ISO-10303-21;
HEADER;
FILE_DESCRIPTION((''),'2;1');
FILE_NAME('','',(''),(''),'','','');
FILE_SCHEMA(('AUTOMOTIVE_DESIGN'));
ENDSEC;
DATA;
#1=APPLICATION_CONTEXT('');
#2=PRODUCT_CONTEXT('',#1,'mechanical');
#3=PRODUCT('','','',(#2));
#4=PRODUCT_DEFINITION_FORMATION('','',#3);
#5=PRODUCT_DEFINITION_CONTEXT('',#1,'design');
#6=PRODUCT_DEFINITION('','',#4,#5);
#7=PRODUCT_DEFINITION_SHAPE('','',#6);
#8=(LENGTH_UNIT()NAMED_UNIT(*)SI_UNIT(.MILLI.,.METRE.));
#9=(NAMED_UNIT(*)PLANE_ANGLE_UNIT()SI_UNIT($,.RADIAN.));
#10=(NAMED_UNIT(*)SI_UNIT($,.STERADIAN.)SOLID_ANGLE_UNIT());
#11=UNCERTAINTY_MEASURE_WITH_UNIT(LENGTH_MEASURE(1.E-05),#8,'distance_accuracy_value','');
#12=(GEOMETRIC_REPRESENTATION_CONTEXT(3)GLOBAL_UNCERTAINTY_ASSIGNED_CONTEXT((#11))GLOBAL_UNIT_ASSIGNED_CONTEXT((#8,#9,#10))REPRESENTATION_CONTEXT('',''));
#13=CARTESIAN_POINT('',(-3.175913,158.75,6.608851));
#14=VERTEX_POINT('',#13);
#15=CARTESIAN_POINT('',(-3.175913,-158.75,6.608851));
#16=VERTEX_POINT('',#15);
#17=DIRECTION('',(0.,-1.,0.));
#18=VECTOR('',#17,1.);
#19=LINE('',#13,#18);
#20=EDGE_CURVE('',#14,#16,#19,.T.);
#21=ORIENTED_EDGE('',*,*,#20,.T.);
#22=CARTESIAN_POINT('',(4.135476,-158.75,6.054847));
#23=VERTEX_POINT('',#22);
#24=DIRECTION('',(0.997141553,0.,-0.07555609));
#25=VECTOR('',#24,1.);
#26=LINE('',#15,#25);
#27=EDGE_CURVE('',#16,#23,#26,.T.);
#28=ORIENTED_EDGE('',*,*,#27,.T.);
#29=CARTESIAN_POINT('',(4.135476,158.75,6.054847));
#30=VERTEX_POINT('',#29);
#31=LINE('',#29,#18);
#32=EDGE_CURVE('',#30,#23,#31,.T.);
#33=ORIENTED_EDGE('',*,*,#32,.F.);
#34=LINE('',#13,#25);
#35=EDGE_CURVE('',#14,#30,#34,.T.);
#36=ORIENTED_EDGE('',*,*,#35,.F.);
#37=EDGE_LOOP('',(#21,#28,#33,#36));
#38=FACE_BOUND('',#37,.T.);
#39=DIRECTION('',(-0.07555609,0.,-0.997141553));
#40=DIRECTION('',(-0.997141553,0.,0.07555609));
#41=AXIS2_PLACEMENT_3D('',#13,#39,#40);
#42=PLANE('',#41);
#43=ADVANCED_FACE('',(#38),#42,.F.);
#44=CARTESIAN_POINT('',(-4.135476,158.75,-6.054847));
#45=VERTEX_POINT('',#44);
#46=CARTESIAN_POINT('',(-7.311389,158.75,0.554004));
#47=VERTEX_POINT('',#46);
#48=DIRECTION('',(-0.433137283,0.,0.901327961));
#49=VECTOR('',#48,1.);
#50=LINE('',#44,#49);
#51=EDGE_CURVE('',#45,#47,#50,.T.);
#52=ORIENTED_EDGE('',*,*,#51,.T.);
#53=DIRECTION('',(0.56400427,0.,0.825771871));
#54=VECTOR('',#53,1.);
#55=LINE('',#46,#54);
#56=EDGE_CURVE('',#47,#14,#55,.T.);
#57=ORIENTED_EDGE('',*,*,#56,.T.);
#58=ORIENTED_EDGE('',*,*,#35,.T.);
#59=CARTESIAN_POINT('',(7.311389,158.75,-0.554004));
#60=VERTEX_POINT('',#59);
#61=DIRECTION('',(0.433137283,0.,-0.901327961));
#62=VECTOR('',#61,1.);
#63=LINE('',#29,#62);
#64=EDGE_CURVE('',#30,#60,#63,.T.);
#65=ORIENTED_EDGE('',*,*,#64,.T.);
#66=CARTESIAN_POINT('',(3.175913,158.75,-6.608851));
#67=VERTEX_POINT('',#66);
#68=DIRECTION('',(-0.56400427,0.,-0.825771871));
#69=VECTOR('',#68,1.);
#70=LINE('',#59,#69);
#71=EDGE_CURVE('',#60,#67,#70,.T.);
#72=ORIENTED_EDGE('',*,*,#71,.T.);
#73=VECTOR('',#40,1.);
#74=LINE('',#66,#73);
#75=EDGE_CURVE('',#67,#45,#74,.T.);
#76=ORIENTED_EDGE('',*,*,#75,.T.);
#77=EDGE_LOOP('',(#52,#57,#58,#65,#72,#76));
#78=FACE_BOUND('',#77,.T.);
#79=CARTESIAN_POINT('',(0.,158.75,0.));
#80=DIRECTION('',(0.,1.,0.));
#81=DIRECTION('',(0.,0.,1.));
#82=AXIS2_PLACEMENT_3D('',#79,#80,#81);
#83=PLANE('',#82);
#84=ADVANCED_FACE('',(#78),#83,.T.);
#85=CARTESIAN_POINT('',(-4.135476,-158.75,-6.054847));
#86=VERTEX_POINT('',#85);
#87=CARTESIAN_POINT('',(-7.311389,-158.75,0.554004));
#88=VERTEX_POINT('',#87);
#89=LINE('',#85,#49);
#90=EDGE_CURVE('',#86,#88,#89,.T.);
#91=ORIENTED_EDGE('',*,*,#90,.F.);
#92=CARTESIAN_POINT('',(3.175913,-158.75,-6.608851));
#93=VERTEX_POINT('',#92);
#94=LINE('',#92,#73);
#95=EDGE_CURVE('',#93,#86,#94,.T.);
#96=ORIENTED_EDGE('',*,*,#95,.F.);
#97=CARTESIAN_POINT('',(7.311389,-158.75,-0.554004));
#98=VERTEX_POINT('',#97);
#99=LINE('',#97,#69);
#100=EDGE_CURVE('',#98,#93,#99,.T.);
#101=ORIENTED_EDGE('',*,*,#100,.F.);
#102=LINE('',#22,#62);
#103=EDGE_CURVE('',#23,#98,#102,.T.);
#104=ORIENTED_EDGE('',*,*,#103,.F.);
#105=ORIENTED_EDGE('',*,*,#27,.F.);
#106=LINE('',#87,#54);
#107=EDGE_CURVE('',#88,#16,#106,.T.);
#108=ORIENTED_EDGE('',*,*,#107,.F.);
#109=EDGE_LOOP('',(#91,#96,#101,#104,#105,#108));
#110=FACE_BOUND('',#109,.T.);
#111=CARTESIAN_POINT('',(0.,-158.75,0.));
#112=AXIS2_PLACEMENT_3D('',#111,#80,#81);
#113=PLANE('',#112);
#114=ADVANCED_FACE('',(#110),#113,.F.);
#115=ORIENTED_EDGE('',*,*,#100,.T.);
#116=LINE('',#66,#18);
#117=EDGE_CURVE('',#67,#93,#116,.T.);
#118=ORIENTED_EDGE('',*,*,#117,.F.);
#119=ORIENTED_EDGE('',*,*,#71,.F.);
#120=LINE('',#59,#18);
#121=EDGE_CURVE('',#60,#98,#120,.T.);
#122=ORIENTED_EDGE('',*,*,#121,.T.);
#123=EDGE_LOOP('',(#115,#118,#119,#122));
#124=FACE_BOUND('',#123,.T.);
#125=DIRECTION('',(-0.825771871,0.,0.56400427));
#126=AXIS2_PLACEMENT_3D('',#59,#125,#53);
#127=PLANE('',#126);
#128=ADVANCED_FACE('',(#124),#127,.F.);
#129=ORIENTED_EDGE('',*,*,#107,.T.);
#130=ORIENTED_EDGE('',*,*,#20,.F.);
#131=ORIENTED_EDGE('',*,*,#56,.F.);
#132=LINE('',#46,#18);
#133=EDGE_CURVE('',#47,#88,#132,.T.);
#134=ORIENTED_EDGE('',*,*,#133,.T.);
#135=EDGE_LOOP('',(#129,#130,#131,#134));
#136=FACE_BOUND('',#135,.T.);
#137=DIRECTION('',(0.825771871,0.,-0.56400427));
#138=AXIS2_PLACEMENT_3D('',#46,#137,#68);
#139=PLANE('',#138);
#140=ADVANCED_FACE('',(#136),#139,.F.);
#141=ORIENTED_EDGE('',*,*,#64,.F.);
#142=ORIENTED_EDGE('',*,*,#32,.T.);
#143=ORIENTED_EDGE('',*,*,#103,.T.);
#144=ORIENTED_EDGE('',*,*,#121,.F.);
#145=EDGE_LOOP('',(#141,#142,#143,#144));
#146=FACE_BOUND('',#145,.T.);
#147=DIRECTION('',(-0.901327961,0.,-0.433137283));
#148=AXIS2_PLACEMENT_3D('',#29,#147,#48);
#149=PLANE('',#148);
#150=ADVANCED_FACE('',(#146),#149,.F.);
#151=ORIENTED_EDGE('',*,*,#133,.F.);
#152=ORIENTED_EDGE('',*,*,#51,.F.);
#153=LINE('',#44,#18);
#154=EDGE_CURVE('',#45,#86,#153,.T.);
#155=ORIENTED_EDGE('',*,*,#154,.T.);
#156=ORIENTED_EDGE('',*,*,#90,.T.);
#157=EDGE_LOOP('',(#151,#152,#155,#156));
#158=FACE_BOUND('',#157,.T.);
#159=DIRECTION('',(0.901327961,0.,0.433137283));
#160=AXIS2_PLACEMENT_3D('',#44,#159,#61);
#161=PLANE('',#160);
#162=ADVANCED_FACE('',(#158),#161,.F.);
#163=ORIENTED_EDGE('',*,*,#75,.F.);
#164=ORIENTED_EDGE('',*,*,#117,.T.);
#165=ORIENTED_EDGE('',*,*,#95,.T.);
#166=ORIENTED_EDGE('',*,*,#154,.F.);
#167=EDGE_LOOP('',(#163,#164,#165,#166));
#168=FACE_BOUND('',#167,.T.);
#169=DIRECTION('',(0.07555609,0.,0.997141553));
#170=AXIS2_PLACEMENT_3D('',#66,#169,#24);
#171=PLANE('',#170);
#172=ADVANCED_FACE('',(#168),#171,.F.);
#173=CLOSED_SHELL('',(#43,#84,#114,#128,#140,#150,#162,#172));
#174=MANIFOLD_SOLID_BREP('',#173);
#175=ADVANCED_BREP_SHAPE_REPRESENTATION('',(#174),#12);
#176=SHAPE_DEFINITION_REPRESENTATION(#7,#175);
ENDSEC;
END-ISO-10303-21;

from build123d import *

# Parameters (mm, degrees)
BOSS_EXTRUDE1_DEPTH = 158.75


with BuildPart() as part:
    # Sketch1 → Boss-Extrude1 (new, symmetric)
    with BuildSketch(Plane(origin=(0, 0, 0), x_dir=(1, 0, 0), z_dir=(0, 1, 0))):
        Polygon((7.311389291, 0.554003575), (3.175913476, 6.608850651), (-4.135475816, 6.054847076), (-7.311389291, -0.554003575), (-3.175913476, -6.608850651), (4.135475816, -6.054847076), align=None)
    extrude(amount=BOSS_EXTRUDE1_DEPTH, both=True)


solid = part.part
